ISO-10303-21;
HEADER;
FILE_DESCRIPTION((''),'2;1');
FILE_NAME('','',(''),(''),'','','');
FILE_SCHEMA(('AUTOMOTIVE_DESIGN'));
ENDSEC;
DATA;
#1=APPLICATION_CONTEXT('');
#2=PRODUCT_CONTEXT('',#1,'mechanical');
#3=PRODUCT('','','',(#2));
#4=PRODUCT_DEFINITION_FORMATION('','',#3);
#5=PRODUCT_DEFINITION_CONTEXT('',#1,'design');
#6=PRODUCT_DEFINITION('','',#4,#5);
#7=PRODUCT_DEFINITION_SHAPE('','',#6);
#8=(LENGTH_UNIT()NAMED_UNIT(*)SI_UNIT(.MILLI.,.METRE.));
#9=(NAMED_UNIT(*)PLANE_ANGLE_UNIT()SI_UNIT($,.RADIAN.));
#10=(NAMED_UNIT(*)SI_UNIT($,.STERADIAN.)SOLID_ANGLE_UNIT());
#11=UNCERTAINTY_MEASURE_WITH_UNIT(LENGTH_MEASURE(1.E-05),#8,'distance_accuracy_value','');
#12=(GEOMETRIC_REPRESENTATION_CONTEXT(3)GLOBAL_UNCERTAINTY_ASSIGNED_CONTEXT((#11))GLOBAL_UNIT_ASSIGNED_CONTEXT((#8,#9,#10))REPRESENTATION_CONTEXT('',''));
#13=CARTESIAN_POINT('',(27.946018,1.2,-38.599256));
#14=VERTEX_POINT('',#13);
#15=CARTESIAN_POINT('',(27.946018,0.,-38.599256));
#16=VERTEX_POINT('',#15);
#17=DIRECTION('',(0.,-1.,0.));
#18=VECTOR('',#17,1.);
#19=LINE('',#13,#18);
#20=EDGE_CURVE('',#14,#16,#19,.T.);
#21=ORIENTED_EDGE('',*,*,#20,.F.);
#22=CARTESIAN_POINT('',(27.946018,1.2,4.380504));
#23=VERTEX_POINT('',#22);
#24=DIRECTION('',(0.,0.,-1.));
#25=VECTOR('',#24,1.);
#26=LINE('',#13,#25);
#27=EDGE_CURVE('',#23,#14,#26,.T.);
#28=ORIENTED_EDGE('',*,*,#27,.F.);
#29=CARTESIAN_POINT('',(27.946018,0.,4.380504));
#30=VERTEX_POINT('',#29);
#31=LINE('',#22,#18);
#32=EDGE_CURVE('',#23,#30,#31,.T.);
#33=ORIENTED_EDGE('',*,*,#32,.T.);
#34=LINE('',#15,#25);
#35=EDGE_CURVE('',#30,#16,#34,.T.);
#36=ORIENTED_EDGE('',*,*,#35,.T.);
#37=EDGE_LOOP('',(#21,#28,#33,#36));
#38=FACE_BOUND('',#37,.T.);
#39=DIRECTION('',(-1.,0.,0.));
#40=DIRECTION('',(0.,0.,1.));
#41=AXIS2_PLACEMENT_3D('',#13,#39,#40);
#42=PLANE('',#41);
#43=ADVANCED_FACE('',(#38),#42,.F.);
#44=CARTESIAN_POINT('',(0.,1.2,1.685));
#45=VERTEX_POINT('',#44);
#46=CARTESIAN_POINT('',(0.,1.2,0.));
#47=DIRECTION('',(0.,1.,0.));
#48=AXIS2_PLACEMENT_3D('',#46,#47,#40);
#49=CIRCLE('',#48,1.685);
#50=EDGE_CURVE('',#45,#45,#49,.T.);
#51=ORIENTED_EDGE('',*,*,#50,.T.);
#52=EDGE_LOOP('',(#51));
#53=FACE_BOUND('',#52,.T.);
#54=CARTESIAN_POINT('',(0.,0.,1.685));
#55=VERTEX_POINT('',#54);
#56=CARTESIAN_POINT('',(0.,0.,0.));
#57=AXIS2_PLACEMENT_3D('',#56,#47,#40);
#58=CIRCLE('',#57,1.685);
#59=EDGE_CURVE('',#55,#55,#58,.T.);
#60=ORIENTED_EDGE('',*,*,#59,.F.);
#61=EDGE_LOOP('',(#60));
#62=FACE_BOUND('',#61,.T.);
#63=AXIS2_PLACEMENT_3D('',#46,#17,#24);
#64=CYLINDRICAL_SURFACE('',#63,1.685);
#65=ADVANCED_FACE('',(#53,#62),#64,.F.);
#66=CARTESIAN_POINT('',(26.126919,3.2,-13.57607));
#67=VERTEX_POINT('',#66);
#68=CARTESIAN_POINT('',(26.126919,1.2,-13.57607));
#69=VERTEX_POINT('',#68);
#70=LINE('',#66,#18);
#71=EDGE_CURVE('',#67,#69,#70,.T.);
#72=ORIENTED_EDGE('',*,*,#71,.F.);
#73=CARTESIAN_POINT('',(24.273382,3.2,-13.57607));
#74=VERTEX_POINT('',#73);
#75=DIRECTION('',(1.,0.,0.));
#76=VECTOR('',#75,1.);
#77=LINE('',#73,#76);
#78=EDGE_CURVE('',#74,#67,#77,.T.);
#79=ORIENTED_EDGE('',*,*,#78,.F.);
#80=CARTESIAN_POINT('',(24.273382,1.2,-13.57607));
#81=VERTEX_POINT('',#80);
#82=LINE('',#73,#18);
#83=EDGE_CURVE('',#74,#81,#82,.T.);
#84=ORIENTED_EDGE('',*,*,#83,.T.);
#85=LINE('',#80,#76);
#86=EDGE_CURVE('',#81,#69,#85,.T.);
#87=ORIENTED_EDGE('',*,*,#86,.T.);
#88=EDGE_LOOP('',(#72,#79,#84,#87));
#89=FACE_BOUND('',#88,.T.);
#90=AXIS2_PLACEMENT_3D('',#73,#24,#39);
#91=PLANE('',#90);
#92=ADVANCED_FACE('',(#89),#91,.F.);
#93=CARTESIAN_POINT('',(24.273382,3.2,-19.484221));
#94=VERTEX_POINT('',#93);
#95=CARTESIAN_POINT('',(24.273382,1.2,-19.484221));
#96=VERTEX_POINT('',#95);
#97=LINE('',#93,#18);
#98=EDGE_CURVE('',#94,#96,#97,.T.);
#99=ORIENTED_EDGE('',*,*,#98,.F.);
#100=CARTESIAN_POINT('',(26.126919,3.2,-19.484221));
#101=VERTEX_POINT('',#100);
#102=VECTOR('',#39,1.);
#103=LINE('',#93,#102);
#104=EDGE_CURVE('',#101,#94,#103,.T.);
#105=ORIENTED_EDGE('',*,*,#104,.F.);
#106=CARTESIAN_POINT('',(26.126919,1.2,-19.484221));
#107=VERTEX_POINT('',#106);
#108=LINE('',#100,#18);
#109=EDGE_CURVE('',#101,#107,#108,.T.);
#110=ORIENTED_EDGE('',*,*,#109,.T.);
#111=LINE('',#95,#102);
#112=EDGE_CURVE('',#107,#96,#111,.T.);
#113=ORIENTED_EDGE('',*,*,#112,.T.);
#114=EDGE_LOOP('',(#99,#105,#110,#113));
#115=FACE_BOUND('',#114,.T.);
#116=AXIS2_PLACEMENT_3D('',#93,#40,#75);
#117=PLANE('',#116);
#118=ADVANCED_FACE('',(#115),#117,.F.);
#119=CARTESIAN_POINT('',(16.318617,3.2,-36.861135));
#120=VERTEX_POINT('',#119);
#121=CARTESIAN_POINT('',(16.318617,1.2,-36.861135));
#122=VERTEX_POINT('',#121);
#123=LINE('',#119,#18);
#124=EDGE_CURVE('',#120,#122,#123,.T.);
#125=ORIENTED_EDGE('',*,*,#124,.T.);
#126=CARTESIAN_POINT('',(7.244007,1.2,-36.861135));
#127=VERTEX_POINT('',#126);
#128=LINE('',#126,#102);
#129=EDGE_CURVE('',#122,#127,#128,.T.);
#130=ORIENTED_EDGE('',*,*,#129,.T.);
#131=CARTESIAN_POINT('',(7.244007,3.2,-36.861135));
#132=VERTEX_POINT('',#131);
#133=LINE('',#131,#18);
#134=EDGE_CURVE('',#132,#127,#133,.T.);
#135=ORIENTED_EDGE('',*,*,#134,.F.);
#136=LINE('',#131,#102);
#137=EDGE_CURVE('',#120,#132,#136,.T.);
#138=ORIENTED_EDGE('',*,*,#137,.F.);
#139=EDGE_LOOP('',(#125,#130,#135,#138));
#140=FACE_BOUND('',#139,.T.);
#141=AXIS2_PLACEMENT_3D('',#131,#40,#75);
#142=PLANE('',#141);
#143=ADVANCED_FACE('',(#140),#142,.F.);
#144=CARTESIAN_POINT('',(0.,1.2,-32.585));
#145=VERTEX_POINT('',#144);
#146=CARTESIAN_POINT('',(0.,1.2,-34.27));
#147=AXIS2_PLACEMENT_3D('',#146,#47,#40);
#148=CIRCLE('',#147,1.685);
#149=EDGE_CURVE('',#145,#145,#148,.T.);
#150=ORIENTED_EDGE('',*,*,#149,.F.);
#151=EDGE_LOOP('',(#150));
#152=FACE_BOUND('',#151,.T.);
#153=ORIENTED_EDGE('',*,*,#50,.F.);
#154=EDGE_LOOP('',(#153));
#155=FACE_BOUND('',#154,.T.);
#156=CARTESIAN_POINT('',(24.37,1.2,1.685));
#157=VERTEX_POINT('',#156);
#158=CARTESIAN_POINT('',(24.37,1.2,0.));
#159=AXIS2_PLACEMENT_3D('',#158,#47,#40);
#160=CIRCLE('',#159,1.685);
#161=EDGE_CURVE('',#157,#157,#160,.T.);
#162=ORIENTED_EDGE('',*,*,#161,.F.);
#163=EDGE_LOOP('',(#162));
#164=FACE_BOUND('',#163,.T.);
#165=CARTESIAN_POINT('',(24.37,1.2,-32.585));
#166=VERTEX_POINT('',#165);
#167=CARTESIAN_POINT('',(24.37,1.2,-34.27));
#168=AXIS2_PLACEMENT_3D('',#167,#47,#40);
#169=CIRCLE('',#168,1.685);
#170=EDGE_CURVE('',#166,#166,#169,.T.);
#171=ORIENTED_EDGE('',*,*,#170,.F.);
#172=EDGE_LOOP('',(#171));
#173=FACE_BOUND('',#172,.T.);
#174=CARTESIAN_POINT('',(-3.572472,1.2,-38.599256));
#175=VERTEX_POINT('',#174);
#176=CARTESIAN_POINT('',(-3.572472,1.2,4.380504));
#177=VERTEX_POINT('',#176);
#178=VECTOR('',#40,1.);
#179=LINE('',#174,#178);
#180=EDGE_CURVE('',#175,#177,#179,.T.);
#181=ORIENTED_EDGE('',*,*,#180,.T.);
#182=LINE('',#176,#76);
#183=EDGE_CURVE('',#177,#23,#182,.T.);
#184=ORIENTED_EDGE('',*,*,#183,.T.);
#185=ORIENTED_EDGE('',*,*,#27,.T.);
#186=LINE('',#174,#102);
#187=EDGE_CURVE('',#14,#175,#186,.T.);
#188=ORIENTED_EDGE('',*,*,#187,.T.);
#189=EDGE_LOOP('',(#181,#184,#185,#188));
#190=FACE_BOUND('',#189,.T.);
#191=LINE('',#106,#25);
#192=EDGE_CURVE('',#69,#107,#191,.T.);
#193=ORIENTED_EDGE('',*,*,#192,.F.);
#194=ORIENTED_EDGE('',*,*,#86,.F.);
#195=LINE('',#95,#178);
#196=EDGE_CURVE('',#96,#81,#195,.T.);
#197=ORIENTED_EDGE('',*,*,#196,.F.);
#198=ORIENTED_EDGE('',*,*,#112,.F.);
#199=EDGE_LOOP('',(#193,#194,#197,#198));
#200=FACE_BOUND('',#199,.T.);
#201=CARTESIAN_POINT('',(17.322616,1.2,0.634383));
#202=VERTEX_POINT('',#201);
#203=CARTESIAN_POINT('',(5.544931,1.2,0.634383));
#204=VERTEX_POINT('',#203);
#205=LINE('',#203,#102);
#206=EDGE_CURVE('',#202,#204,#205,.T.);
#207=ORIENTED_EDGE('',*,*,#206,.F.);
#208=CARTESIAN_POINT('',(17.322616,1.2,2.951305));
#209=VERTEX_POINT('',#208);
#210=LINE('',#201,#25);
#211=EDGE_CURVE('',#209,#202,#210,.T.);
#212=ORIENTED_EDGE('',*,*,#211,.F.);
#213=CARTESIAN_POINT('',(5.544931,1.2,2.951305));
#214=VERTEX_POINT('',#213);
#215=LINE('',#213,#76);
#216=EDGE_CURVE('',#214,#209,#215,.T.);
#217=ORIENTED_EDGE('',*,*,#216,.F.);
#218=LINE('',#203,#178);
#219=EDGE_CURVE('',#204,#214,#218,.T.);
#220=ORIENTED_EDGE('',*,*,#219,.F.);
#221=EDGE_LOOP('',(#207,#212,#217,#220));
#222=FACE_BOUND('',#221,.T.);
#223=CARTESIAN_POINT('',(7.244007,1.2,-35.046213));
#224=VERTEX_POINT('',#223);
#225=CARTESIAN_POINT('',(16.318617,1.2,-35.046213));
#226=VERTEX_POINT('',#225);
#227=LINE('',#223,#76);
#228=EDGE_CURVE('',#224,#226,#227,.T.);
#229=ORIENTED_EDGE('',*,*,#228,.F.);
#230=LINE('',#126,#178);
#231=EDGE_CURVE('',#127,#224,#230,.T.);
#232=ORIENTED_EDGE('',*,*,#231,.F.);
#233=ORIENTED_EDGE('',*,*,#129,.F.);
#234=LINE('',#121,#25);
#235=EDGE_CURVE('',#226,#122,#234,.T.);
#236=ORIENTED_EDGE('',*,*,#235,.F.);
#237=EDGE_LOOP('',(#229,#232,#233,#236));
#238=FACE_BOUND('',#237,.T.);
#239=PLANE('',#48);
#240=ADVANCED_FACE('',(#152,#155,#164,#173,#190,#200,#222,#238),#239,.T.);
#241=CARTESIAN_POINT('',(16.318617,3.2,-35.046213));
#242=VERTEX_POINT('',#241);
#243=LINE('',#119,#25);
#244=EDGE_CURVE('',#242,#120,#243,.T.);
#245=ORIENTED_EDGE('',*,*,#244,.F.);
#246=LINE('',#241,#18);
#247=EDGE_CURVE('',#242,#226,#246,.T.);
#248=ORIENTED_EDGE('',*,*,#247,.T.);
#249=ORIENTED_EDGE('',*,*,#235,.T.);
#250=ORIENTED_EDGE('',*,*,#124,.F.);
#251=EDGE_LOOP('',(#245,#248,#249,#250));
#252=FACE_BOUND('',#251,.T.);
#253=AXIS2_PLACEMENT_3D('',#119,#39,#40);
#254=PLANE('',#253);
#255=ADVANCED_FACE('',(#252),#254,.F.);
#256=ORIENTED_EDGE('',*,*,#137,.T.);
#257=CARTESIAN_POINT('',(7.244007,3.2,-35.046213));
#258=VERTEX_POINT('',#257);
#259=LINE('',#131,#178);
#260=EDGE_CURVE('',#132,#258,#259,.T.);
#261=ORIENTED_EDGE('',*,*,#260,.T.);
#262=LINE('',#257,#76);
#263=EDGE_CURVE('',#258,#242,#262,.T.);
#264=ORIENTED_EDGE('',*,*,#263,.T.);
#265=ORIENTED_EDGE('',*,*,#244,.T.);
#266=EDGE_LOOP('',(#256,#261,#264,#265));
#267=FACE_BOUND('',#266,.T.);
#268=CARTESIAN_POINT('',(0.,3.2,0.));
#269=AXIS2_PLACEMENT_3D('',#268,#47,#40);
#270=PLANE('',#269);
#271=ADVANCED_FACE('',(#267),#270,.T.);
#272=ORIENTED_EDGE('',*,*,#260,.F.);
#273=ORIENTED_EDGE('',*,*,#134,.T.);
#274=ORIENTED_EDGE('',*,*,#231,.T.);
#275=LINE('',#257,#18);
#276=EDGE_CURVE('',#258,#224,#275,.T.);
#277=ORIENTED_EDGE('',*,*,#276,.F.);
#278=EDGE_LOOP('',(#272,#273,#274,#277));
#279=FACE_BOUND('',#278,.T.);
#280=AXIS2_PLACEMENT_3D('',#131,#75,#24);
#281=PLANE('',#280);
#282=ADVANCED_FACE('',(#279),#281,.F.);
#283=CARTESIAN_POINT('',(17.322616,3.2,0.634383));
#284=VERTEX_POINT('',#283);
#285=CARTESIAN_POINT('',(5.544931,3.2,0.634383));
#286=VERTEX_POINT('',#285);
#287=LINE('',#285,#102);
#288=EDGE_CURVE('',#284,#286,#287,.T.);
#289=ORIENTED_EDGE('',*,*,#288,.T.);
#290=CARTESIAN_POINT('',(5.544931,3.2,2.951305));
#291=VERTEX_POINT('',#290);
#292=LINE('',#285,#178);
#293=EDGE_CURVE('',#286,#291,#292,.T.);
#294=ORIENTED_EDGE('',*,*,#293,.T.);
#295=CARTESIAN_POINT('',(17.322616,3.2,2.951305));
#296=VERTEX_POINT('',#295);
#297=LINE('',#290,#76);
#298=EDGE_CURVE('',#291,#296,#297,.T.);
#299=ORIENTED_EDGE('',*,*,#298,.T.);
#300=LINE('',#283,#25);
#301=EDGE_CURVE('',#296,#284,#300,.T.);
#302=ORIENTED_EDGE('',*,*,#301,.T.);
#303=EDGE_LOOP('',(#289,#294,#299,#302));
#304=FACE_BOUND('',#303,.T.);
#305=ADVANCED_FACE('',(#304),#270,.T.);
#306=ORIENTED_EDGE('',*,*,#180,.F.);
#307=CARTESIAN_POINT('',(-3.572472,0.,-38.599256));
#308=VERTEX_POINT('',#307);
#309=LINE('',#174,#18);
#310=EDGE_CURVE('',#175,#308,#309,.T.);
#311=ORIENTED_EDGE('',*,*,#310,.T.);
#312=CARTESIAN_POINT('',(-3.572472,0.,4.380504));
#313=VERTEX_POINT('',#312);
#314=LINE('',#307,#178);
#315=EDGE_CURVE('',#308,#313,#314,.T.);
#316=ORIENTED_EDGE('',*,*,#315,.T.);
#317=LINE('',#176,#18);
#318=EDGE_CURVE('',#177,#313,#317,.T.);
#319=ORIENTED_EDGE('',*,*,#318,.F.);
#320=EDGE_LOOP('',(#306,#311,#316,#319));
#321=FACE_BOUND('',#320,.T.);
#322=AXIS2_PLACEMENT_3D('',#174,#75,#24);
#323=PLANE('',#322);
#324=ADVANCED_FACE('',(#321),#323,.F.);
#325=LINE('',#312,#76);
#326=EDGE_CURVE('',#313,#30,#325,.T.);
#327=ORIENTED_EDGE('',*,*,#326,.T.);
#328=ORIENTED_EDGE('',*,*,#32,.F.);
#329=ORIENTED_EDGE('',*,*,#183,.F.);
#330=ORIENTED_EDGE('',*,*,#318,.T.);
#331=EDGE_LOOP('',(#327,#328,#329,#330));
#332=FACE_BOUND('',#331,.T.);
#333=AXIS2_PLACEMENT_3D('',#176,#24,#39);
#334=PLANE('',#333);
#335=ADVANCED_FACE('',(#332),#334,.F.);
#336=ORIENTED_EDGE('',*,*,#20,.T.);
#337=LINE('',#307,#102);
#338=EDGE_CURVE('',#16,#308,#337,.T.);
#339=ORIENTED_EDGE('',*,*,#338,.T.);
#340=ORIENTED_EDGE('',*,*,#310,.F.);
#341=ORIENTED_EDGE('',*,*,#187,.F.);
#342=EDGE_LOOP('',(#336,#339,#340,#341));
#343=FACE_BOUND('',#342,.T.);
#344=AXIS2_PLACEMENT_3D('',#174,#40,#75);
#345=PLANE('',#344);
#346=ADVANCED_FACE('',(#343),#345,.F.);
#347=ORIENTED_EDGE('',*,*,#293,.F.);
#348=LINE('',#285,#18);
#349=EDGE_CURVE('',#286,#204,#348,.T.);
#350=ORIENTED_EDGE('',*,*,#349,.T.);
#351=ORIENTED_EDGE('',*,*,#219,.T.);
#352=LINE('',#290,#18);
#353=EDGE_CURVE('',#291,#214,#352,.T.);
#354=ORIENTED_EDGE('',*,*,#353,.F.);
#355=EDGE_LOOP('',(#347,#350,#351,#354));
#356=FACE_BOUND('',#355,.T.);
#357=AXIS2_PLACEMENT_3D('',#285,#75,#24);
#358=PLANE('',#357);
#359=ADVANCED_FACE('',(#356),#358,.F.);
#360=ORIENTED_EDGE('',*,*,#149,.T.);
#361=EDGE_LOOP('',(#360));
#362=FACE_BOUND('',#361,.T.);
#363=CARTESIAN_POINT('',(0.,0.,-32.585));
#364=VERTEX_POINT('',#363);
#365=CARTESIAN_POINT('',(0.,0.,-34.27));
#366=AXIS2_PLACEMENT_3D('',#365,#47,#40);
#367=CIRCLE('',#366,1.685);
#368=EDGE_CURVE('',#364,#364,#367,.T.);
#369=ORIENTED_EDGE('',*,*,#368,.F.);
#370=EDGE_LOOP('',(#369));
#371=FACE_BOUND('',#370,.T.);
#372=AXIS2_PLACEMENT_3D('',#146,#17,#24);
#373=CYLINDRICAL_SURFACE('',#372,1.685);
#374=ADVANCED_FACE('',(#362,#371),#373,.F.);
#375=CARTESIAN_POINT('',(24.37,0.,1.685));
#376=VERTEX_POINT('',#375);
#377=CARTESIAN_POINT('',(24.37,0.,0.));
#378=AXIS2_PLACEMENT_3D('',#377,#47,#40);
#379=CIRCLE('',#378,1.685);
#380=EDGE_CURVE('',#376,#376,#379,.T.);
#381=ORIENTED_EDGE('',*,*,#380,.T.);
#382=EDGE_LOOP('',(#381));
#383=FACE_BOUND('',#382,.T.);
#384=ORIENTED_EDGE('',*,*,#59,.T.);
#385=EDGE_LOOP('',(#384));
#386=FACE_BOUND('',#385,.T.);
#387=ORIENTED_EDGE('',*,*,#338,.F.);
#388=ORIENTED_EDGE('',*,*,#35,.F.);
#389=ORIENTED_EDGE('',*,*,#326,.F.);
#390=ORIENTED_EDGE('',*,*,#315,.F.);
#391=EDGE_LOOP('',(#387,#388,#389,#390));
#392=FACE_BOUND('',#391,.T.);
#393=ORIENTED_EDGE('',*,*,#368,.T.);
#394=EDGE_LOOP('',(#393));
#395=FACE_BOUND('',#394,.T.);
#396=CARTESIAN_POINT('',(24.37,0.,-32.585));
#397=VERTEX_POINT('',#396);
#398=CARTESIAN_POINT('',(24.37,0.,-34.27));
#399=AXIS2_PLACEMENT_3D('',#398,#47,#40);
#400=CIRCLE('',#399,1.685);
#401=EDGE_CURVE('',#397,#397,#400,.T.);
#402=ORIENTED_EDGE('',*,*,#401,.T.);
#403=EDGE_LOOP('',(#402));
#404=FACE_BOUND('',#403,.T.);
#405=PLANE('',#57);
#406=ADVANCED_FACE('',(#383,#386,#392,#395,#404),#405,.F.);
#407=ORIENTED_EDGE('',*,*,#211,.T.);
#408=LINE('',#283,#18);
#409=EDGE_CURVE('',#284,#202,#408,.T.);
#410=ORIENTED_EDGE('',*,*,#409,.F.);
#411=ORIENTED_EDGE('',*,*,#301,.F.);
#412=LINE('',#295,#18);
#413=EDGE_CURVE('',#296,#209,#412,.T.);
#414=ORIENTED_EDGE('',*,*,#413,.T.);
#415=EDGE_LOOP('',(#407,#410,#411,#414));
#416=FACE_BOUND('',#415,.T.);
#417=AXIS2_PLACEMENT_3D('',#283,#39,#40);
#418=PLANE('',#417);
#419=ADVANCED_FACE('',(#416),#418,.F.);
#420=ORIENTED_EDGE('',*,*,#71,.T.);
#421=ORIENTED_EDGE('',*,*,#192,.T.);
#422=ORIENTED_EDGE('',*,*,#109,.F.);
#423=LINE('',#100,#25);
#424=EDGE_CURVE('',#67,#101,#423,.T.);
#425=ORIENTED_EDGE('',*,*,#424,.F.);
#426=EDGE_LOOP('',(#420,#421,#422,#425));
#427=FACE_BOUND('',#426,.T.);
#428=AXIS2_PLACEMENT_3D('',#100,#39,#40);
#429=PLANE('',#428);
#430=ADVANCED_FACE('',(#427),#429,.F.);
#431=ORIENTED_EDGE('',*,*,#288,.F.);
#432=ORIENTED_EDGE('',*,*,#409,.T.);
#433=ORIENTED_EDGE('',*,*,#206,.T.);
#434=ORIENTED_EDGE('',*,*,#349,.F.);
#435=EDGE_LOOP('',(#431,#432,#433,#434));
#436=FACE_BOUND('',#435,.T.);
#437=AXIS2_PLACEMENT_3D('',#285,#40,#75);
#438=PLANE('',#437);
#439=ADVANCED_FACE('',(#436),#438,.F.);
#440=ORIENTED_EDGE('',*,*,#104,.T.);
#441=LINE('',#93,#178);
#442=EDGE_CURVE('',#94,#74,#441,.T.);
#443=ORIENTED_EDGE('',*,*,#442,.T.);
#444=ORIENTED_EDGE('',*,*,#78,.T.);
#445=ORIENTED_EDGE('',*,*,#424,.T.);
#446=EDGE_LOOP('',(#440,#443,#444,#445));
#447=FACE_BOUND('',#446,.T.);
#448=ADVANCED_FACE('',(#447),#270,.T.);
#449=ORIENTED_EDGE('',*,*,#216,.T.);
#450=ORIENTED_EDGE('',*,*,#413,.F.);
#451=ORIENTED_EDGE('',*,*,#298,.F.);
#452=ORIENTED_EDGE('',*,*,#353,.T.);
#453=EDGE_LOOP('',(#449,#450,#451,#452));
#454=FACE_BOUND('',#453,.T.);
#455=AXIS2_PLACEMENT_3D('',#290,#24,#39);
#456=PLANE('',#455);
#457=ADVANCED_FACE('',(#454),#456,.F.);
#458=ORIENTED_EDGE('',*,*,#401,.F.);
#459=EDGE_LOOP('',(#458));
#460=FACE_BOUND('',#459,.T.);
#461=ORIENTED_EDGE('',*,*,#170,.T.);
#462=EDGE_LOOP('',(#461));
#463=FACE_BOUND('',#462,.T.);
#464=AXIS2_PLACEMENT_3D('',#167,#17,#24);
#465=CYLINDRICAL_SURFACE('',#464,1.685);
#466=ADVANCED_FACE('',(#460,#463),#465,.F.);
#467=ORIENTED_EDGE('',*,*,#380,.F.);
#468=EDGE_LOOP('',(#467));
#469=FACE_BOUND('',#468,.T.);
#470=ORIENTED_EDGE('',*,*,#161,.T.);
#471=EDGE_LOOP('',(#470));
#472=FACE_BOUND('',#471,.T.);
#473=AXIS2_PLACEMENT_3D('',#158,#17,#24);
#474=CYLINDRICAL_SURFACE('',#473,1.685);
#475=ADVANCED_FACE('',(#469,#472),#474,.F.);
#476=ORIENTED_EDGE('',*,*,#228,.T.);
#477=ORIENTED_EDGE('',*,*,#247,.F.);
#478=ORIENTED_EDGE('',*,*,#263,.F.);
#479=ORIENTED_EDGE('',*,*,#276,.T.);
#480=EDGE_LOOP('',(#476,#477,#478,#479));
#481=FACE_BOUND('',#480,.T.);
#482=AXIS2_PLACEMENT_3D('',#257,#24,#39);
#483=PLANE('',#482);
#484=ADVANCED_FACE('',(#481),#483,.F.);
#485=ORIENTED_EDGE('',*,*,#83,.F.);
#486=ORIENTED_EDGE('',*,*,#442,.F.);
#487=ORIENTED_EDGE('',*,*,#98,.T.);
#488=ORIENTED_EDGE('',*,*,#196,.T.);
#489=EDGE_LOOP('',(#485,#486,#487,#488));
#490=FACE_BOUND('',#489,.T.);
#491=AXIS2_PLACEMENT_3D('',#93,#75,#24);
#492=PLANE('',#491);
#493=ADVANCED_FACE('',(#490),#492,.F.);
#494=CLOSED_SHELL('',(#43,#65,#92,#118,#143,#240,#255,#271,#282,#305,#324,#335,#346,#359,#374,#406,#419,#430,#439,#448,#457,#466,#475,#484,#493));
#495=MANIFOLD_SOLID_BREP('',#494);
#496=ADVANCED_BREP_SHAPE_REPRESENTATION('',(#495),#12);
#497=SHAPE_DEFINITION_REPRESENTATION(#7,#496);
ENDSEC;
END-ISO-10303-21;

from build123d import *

# Parameters (mm, degrees)
SKETCH1_W           = 31.518490379
SKETCH1_H           = 42.979759609
SKETCH1_R           = 1.685
BOSS_EXTRUDE1_DEPTH = 1.2
SKETCH2_W           = 9.074610473
SKETCH2_H           = 1.814922095
SKETCH2_W_2         = 1.853537458
SKETCH2_H_2         = 5.908150648
SKETCH2_W_3         = 11.777685933
SKETCH2_H_3         = 2.316921823
BOSS_EXTRUDE2_DEPTH = 2


with BuildPart() as part:
    # Sketch1 → Boss-Extrude1 (new body)
    with BuildSketch(Plane(origin=(0, 0, 0), x_dir=(1, 0, 0), z_dir=(0, 1, 0))):
        with Locations((12.186773079, 17.109376158)):
            Rectangle(SKETCH1_W, SKETCH1_H)
        with Locations(Location((0, 0, 0), (0, 0, 270))):
            Circle(SKETCH1_R, mode=Mode.SUBTRACT)
        with Locations(Location((24.37, 0, 0), (0, 0, 270))):
            Circle(SKETCH1_R, mode=Mode.SUBTRACT)
        with Locations(Location((24.37, 34.27, 0), (0, 0, 270))):
            Circle(SKETCH1_R, mode=Mode.SUBTRACT)
        with Locations(Location((0, 34.27, 0), (0, 0, 270))):
            Circle(SKETCH1_R, mode=Mode.SUBTRACT)
    extrude(amount=BOSS_EXTRUDE1_DEPTH)

    # Sketch2 → Boss-Extrude2 (add)
    with BuildSketch(Plane(origin=(0, 1.2, 0), x_dir=(1, 0, 0), z_dir=(0, 1, 0))):
        with Locations((11.781311759, 35.95367365)):
            Rectangle(SKETCH2_W, SKETCH2_H)
        with Locations((25.20015065, 16.530145702)):
            Rectangle(SKETCH2_W_2, SKETCH2_H_2)
        with Locations((11.433773487, -1.792844381)):
            Rectangle(SKETCH2_W_3, SKETCH2_H_3)
    extrude(amount=BOSS_EXTRUDE2_DEPTH)


solid = part.part
